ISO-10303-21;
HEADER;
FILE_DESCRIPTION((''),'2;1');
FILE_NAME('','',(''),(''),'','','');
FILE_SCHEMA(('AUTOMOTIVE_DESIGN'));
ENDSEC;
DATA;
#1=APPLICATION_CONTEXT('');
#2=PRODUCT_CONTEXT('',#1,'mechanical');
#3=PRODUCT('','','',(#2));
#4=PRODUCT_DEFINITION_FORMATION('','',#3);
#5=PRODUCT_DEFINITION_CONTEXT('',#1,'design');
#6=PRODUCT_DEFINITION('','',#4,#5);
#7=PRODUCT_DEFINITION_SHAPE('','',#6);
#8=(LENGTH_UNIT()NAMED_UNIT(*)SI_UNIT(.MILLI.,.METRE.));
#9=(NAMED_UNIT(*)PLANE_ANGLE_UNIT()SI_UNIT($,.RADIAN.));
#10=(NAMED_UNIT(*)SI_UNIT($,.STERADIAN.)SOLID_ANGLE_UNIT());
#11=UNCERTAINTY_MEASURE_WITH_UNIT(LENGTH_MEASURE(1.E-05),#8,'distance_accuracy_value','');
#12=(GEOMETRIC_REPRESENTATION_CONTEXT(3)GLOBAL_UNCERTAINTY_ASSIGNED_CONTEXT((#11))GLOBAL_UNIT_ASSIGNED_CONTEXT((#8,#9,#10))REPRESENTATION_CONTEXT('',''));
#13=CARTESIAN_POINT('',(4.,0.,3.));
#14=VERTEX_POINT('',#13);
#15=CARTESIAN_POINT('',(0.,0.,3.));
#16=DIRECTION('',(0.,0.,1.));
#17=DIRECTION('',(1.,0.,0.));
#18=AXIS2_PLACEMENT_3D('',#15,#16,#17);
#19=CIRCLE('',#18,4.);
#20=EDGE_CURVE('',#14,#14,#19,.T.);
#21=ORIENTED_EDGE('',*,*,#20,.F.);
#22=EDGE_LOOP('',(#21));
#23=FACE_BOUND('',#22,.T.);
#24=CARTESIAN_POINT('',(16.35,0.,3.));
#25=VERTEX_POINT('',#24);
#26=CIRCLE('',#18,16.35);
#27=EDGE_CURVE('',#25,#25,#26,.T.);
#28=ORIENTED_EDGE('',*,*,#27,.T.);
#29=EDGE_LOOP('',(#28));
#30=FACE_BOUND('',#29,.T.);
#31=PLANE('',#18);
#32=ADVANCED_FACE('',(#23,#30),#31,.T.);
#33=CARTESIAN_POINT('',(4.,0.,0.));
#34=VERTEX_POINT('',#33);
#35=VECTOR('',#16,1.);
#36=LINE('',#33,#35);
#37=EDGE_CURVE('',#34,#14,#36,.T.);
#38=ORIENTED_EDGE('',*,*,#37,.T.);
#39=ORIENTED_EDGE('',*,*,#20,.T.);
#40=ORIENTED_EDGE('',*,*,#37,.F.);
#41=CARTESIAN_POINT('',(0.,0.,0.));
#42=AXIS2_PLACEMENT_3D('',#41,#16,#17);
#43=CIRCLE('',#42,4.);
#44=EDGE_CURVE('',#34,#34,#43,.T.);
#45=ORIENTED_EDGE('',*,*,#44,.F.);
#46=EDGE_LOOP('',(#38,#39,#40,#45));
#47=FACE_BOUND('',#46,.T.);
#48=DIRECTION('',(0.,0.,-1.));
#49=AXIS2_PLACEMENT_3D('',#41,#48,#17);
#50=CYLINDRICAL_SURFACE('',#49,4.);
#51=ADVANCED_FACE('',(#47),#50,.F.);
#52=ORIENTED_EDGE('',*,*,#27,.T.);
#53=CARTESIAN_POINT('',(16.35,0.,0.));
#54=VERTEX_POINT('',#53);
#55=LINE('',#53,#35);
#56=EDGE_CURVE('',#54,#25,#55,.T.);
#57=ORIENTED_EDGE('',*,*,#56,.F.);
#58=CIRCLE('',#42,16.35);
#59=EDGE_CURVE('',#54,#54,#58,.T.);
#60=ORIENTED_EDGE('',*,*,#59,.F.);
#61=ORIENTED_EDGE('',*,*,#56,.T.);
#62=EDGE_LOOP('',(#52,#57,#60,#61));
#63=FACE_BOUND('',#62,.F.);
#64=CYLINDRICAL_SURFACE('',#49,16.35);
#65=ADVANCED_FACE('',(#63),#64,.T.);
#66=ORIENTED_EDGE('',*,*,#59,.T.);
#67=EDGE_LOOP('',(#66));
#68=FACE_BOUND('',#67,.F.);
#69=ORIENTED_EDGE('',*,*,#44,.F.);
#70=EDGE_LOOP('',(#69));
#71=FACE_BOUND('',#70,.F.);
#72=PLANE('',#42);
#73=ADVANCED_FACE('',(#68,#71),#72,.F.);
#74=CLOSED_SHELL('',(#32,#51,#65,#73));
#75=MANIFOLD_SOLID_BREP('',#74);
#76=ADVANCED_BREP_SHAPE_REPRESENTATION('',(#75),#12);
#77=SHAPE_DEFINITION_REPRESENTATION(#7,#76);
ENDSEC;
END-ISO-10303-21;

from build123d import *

# Parameters (mm, degrees)
SKETCH_R   = 16.35
SKETCH_R_2 = 4
PAD_DEPTH  = 3


with BuildPart() as part:
    # Sketch → Pad (new body)
    with BuildSketch(Plane.XY):
        Circle(SKETCH_R)
        Circle(SKETCH_R_2, mode=Mode.SUBTRACT)
    extrude(amount=PAD_DEPTH)


solid = part.part
